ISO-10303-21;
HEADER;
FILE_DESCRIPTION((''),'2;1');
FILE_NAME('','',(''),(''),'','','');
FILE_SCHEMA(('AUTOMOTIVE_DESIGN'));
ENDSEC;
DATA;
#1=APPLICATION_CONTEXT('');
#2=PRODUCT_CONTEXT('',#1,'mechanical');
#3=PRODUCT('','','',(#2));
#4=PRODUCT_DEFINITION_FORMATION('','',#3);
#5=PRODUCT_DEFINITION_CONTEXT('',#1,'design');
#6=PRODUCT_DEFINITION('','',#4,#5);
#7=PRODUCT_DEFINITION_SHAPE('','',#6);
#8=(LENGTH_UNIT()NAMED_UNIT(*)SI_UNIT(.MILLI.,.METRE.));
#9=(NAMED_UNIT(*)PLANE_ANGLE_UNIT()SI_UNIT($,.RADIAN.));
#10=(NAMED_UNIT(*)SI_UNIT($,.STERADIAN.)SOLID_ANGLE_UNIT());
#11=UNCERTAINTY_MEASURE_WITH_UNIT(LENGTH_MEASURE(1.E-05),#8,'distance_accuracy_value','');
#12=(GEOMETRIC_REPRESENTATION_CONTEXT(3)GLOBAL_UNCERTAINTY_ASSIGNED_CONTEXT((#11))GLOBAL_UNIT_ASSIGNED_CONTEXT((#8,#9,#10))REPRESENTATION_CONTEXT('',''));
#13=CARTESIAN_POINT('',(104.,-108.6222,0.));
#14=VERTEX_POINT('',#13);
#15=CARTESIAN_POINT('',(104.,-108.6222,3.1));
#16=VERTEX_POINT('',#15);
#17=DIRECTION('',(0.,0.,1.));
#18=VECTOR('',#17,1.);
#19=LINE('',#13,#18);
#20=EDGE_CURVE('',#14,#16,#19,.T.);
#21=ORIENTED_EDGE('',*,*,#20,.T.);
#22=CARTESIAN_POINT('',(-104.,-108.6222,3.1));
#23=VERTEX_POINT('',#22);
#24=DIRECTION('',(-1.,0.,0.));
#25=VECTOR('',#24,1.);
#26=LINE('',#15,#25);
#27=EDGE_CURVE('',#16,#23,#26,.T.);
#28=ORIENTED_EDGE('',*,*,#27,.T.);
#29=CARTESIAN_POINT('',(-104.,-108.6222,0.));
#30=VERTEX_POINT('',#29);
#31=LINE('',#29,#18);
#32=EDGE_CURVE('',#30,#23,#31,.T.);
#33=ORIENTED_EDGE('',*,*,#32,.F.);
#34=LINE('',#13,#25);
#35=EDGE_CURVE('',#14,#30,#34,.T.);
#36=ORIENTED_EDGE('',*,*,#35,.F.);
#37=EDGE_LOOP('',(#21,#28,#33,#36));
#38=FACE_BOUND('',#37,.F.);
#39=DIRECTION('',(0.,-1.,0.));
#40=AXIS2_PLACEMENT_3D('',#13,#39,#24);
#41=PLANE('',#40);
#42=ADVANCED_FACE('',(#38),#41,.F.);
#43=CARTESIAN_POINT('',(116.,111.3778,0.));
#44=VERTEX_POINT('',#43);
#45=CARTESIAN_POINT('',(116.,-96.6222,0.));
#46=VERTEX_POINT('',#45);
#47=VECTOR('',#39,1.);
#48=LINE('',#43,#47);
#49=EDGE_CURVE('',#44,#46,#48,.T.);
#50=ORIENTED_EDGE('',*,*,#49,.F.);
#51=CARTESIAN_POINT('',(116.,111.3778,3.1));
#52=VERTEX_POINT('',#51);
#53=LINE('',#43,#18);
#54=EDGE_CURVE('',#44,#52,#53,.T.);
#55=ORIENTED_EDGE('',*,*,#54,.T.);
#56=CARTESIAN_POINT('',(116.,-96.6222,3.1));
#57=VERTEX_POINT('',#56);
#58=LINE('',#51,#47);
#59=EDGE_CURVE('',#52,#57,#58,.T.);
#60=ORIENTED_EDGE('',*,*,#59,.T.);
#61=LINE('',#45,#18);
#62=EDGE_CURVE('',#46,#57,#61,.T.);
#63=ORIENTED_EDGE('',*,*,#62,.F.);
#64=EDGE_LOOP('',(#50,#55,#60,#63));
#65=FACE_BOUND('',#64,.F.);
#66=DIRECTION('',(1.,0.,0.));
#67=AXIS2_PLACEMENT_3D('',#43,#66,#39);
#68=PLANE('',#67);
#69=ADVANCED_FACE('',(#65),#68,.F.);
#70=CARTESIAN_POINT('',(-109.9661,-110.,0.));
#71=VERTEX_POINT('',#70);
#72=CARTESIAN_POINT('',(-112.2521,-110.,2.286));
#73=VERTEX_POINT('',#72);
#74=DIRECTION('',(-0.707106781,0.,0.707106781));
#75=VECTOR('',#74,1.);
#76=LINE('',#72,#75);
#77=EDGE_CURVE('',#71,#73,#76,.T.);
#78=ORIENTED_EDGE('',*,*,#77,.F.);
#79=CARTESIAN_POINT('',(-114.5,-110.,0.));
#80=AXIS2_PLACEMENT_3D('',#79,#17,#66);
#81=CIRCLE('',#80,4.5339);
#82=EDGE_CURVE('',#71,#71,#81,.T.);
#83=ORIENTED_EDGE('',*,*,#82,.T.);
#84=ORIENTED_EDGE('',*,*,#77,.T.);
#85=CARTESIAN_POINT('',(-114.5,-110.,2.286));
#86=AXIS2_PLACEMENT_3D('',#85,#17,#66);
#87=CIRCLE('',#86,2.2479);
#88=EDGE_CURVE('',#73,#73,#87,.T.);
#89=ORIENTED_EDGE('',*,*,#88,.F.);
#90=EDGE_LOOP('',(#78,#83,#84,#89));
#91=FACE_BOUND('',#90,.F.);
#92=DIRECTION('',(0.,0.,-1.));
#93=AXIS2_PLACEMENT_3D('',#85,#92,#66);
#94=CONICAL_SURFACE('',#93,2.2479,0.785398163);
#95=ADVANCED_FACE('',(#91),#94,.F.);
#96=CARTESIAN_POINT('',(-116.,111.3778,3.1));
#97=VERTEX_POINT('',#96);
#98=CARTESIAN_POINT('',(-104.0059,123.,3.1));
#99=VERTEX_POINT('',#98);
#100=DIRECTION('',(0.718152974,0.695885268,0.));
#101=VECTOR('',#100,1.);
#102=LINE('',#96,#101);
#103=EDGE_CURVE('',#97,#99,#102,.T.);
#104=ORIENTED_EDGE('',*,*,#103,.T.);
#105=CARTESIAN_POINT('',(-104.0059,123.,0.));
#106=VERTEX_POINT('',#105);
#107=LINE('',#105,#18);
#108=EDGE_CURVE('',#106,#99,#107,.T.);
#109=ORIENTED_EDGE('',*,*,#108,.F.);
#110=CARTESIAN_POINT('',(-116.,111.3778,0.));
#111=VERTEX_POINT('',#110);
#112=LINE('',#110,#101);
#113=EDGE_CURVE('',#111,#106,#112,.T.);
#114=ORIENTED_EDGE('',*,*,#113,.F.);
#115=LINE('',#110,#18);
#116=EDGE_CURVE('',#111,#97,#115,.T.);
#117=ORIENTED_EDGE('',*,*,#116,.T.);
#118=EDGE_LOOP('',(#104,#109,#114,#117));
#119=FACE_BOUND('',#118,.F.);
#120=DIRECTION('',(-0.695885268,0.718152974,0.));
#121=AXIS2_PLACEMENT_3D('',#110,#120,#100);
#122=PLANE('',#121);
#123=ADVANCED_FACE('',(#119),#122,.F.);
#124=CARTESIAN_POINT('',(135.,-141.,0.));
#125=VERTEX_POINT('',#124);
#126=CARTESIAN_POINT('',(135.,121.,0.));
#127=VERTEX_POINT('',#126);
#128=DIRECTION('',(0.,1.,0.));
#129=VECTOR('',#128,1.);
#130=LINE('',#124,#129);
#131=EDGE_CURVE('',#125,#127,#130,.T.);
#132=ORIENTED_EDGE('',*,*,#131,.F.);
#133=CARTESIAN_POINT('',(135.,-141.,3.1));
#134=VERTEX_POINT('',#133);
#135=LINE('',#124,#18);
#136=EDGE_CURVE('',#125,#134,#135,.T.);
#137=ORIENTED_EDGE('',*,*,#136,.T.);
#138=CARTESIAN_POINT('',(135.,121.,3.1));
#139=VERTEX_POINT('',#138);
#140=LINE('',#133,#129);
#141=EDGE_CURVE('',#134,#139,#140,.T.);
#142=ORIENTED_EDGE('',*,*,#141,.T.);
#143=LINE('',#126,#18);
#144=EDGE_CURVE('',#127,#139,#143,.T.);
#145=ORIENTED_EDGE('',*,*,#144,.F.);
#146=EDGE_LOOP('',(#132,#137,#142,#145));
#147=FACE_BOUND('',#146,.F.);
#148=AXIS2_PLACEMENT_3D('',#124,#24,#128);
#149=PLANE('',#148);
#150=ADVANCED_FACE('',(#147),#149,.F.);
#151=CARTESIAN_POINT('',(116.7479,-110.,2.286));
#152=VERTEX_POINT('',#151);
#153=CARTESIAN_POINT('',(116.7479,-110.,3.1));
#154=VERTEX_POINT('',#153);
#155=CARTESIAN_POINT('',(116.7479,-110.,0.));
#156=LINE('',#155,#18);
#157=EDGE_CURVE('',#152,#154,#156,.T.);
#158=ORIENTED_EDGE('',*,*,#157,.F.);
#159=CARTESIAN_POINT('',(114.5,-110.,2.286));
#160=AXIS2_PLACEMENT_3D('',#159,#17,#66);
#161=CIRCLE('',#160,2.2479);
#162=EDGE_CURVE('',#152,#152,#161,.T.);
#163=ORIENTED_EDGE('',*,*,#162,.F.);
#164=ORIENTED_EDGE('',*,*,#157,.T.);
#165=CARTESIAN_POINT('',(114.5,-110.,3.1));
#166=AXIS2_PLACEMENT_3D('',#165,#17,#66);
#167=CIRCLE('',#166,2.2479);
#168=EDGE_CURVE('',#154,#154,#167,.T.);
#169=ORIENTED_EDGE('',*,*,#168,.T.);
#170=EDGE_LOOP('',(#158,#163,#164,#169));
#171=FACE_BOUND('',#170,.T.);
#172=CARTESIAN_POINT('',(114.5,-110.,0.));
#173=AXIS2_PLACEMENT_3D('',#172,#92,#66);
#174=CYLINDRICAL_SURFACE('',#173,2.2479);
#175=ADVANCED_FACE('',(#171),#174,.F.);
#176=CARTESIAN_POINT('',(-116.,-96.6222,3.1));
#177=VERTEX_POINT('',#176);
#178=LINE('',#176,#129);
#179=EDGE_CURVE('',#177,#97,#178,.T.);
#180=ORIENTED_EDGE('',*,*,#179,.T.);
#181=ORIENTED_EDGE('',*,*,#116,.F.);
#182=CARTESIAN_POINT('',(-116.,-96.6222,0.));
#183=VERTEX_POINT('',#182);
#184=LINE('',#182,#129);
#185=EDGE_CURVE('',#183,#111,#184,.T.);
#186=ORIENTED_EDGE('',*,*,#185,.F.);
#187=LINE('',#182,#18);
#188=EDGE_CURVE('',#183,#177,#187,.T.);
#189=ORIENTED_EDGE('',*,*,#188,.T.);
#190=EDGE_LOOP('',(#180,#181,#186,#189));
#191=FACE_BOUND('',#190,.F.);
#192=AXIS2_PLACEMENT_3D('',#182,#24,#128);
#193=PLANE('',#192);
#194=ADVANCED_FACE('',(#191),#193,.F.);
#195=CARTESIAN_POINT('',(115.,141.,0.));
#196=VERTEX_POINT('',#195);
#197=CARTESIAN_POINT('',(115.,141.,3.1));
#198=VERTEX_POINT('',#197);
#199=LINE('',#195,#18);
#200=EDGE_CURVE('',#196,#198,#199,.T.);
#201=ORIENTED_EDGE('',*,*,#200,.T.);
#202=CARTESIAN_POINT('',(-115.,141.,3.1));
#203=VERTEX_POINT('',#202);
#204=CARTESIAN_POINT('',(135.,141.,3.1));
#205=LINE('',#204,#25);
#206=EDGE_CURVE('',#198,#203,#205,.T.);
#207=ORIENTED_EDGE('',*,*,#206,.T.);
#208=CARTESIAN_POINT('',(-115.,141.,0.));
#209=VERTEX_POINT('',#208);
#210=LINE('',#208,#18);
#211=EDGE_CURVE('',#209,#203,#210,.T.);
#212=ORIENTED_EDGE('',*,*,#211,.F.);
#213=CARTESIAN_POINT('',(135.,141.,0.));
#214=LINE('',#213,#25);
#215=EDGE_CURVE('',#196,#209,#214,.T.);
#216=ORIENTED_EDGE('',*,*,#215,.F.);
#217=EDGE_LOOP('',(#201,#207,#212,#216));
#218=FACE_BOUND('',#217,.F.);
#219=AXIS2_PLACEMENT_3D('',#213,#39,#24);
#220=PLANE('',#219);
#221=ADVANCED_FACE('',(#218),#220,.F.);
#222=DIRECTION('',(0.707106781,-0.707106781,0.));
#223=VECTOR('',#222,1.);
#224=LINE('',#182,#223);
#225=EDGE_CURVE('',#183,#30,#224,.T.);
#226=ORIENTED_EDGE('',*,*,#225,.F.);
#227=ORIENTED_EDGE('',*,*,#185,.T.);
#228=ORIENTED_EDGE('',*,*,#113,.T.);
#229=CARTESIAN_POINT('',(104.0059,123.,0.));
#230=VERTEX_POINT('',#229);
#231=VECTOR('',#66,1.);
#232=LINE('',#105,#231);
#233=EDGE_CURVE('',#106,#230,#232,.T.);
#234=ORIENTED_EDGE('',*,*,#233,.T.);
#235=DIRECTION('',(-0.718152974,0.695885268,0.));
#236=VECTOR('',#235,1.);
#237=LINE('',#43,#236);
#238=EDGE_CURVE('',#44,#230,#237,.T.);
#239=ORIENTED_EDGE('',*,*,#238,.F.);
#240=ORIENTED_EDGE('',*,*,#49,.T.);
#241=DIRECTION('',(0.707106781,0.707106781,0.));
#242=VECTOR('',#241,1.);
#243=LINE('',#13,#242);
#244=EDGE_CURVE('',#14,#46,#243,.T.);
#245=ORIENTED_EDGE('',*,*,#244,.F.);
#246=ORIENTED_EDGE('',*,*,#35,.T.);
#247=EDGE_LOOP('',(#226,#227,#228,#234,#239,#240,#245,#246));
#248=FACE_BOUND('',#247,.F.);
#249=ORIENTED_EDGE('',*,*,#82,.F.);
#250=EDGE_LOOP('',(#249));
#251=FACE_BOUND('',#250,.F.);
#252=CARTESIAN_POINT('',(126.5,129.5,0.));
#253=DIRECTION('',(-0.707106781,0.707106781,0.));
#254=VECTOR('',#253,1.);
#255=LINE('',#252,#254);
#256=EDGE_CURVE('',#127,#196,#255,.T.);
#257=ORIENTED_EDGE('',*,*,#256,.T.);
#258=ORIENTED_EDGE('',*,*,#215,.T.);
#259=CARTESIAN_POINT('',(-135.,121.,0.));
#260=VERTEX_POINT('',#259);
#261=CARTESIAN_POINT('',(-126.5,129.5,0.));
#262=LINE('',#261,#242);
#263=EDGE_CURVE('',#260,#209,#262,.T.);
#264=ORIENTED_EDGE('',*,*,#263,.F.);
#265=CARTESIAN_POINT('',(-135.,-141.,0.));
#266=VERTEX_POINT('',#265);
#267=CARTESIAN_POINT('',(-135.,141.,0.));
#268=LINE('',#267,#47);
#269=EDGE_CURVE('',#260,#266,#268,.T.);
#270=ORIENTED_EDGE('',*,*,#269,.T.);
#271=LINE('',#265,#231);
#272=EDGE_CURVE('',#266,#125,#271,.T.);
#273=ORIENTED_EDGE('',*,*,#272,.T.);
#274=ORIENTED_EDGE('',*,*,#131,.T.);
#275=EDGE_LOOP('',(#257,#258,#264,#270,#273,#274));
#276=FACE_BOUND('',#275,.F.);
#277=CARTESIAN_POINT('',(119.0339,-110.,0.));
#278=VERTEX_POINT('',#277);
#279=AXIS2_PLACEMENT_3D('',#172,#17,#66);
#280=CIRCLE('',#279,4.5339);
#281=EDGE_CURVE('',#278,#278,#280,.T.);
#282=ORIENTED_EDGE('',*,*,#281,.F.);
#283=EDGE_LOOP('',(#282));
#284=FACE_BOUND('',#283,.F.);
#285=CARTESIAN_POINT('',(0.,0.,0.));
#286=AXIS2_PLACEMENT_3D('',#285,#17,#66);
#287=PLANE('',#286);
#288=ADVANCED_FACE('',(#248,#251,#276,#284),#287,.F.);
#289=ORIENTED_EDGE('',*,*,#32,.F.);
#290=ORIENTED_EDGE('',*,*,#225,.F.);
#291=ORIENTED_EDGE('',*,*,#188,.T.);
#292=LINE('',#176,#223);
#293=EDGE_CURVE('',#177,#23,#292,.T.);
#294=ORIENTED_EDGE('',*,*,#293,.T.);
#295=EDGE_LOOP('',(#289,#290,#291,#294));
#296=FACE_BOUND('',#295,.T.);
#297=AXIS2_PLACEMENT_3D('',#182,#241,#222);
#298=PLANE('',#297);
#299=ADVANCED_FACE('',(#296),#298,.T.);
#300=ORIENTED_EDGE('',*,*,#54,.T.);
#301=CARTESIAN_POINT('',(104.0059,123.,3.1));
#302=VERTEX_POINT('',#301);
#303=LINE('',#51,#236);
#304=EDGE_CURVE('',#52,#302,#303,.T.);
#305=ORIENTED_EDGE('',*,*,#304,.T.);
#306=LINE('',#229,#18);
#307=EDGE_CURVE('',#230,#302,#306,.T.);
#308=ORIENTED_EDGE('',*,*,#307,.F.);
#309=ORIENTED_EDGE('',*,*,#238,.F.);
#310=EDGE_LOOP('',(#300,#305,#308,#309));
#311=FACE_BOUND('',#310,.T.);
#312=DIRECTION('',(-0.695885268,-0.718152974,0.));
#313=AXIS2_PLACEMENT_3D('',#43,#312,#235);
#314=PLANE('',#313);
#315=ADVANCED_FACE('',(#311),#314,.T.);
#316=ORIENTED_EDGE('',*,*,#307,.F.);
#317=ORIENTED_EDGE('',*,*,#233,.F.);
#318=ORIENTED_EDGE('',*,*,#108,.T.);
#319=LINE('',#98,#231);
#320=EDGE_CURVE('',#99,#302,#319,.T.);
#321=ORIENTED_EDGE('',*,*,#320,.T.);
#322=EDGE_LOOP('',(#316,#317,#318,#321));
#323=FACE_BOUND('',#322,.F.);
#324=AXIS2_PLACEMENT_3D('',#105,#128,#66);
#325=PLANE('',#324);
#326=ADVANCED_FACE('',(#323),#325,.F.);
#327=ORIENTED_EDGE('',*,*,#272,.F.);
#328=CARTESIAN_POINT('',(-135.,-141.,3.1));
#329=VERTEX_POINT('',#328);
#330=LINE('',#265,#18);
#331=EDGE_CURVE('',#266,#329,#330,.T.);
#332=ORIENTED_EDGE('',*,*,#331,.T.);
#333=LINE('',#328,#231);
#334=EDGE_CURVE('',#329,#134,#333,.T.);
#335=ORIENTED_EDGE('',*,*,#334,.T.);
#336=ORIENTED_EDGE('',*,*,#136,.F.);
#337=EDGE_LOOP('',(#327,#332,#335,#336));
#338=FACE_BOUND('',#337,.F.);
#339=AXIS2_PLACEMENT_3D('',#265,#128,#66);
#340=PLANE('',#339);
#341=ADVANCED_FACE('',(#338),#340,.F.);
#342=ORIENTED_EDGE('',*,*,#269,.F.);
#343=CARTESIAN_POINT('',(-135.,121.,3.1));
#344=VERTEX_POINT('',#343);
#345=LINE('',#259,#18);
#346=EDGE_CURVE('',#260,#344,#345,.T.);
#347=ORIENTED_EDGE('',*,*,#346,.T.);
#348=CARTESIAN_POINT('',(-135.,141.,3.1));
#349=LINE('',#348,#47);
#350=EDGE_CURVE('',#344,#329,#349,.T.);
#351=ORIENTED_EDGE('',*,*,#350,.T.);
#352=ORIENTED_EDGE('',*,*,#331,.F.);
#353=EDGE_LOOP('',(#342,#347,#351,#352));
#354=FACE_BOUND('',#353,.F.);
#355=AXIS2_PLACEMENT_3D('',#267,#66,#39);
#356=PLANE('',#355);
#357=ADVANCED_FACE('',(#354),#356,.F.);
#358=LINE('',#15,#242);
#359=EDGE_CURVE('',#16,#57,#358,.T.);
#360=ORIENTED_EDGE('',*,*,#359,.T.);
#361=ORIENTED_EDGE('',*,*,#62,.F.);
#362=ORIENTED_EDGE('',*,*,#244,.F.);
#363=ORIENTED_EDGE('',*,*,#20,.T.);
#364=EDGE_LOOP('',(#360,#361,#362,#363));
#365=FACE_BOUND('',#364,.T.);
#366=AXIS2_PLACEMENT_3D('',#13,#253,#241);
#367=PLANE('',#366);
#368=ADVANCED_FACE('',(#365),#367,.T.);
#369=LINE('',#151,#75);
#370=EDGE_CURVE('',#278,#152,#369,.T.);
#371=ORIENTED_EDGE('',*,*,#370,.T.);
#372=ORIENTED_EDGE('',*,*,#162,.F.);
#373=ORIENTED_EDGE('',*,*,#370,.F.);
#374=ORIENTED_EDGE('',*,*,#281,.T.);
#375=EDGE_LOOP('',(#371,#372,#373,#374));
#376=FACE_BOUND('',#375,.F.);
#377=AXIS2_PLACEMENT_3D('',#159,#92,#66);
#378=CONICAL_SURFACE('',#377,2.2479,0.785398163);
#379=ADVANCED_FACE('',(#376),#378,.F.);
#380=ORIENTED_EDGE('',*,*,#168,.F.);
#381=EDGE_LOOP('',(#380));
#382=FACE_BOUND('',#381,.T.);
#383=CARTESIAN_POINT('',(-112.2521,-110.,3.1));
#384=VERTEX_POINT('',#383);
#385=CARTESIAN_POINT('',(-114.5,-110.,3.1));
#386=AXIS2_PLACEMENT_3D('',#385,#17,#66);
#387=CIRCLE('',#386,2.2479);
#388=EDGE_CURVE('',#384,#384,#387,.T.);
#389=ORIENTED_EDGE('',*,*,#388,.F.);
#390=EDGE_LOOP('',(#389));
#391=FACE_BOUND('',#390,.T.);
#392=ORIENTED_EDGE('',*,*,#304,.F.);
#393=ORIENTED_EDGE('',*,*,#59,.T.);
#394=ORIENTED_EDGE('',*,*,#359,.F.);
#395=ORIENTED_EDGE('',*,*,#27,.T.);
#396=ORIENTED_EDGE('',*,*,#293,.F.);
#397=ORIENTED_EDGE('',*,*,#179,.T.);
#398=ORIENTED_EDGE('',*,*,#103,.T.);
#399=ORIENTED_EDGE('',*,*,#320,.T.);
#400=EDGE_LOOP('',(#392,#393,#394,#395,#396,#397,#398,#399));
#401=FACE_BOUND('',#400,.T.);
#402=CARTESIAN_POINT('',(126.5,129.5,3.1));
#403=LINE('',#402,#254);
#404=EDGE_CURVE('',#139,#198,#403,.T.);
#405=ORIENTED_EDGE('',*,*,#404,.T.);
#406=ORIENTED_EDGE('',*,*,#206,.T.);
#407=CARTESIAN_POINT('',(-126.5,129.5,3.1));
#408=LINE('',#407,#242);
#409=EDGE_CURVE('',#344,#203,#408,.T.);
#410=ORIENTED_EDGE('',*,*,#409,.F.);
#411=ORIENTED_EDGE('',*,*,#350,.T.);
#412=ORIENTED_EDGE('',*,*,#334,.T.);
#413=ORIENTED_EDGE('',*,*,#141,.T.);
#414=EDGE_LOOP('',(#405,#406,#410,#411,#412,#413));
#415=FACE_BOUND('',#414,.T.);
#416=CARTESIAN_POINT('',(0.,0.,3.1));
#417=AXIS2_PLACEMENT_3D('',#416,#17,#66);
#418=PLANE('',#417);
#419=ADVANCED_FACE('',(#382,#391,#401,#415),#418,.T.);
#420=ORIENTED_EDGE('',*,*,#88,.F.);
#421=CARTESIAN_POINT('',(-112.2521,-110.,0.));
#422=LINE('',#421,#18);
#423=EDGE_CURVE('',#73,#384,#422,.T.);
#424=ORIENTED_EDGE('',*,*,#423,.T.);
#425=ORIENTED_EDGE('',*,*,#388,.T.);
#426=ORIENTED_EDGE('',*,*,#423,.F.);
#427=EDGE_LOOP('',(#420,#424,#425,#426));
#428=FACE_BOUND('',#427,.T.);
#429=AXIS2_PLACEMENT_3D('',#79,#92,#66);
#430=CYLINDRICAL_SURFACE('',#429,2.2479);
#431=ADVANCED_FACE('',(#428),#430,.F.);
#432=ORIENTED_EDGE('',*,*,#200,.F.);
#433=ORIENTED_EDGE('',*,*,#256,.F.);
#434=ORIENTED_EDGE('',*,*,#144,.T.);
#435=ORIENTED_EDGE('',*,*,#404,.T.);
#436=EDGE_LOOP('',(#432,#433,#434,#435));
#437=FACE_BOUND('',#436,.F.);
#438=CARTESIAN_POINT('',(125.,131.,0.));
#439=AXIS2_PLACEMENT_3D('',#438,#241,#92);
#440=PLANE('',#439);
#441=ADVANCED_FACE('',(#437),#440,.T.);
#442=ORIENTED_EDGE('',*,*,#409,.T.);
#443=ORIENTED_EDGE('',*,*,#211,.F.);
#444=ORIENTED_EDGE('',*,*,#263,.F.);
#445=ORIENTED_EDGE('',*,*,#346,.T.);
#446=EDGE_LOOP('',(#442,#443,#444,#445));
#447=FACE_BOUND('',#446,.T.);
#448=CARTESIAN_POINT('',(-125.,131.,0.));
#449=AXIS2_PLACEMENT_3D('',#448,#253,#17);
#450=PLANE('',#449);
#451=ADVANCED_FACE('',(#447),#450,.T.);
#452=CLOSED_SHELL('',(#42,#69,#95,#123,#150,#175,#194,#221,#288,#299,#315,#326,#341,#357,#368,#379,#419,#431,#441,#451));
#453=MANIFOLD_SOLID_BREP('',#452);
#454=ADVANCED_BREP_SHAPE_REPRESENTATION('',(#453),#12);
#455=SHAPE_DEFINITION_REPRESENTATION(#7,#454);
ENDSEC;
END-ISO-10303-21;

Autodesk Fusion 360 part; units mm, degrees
sketch "Sketch1" plane through (0, 0, 0) normal (0, 0, 1) x (1, 0, 0)
  line L0 (135, 141) -> (-135, 141)
  line L1 (-135, 141) -> (-135, -141)
  line L2 (-135, -141) -> (135, -141)
  line L3 (135, -141) -> (135, 141)
  line L4 (135, 141) -> (-135, -141) construction
  line L5 (-135, 141) -> (135, -141) construction
  line L6 (-104.0059, 123) -> (104.0059, 123)
  line L7 (104, -108.6222) -> (-104, -108.6222)
  line L8 (-116, 111.3778) -> (-104.0059, 123)
  line L9 (-116, -96.6222) -> (-116, 111.3778)
  line L10 (-116, 121.1556) -> (-116, 123.3778)
  line L11 (0, 86.9957) -> (0, -79.0579) construction
  line L12 (116, 111.3778) -> (104.0059, 123)
  line L13 (116, 123.3776) -> (116, 121.1556)
  line L14 (116, 111.3778) -> (116, -96.6222)
  line L15 (-116, -96.6222) -> (-104, -108.6222)
  line L16 (104, -108.6222) -> (116, -96.6222)
  circle A0 centre (-114.5, -110) radius 2.2479
  circle A1 centre (114.5, -110) radius 2.2479
  dimension "d1" = 270
  dimension "d2" = 282
  dimension "d3" = 232
  dimension "d5" = 18
  dimension "d6" = 19
  dimension "d7" = 12
  dimension "d8" = 12
  dimension "d13" = 4.4958
  dimension "d14" = 4.4958
  dimension "d15" = 229
  dimension "d16" = 31
  dimension "d17" = 20.5
extrude "Extrude1" add sketch "Sketch1" along normal blind 3.1
chamfer "Chamfer1" distance 20 angle 45 2 edges at (135, 141, 1.55) (-135, 141, 1.55)
chamfer "Chamfer2" distance 2.286 angle 45 2 edges at (112.4042, -109.1871, 0) (-116.5958, -109.1871, 0)
equation "d6 = ( ( 270 - 232 ) / 2 ) * 1 mm"
equation "d17 = ( ( 270 - 229 ) / 2 ) * 1 mm"
